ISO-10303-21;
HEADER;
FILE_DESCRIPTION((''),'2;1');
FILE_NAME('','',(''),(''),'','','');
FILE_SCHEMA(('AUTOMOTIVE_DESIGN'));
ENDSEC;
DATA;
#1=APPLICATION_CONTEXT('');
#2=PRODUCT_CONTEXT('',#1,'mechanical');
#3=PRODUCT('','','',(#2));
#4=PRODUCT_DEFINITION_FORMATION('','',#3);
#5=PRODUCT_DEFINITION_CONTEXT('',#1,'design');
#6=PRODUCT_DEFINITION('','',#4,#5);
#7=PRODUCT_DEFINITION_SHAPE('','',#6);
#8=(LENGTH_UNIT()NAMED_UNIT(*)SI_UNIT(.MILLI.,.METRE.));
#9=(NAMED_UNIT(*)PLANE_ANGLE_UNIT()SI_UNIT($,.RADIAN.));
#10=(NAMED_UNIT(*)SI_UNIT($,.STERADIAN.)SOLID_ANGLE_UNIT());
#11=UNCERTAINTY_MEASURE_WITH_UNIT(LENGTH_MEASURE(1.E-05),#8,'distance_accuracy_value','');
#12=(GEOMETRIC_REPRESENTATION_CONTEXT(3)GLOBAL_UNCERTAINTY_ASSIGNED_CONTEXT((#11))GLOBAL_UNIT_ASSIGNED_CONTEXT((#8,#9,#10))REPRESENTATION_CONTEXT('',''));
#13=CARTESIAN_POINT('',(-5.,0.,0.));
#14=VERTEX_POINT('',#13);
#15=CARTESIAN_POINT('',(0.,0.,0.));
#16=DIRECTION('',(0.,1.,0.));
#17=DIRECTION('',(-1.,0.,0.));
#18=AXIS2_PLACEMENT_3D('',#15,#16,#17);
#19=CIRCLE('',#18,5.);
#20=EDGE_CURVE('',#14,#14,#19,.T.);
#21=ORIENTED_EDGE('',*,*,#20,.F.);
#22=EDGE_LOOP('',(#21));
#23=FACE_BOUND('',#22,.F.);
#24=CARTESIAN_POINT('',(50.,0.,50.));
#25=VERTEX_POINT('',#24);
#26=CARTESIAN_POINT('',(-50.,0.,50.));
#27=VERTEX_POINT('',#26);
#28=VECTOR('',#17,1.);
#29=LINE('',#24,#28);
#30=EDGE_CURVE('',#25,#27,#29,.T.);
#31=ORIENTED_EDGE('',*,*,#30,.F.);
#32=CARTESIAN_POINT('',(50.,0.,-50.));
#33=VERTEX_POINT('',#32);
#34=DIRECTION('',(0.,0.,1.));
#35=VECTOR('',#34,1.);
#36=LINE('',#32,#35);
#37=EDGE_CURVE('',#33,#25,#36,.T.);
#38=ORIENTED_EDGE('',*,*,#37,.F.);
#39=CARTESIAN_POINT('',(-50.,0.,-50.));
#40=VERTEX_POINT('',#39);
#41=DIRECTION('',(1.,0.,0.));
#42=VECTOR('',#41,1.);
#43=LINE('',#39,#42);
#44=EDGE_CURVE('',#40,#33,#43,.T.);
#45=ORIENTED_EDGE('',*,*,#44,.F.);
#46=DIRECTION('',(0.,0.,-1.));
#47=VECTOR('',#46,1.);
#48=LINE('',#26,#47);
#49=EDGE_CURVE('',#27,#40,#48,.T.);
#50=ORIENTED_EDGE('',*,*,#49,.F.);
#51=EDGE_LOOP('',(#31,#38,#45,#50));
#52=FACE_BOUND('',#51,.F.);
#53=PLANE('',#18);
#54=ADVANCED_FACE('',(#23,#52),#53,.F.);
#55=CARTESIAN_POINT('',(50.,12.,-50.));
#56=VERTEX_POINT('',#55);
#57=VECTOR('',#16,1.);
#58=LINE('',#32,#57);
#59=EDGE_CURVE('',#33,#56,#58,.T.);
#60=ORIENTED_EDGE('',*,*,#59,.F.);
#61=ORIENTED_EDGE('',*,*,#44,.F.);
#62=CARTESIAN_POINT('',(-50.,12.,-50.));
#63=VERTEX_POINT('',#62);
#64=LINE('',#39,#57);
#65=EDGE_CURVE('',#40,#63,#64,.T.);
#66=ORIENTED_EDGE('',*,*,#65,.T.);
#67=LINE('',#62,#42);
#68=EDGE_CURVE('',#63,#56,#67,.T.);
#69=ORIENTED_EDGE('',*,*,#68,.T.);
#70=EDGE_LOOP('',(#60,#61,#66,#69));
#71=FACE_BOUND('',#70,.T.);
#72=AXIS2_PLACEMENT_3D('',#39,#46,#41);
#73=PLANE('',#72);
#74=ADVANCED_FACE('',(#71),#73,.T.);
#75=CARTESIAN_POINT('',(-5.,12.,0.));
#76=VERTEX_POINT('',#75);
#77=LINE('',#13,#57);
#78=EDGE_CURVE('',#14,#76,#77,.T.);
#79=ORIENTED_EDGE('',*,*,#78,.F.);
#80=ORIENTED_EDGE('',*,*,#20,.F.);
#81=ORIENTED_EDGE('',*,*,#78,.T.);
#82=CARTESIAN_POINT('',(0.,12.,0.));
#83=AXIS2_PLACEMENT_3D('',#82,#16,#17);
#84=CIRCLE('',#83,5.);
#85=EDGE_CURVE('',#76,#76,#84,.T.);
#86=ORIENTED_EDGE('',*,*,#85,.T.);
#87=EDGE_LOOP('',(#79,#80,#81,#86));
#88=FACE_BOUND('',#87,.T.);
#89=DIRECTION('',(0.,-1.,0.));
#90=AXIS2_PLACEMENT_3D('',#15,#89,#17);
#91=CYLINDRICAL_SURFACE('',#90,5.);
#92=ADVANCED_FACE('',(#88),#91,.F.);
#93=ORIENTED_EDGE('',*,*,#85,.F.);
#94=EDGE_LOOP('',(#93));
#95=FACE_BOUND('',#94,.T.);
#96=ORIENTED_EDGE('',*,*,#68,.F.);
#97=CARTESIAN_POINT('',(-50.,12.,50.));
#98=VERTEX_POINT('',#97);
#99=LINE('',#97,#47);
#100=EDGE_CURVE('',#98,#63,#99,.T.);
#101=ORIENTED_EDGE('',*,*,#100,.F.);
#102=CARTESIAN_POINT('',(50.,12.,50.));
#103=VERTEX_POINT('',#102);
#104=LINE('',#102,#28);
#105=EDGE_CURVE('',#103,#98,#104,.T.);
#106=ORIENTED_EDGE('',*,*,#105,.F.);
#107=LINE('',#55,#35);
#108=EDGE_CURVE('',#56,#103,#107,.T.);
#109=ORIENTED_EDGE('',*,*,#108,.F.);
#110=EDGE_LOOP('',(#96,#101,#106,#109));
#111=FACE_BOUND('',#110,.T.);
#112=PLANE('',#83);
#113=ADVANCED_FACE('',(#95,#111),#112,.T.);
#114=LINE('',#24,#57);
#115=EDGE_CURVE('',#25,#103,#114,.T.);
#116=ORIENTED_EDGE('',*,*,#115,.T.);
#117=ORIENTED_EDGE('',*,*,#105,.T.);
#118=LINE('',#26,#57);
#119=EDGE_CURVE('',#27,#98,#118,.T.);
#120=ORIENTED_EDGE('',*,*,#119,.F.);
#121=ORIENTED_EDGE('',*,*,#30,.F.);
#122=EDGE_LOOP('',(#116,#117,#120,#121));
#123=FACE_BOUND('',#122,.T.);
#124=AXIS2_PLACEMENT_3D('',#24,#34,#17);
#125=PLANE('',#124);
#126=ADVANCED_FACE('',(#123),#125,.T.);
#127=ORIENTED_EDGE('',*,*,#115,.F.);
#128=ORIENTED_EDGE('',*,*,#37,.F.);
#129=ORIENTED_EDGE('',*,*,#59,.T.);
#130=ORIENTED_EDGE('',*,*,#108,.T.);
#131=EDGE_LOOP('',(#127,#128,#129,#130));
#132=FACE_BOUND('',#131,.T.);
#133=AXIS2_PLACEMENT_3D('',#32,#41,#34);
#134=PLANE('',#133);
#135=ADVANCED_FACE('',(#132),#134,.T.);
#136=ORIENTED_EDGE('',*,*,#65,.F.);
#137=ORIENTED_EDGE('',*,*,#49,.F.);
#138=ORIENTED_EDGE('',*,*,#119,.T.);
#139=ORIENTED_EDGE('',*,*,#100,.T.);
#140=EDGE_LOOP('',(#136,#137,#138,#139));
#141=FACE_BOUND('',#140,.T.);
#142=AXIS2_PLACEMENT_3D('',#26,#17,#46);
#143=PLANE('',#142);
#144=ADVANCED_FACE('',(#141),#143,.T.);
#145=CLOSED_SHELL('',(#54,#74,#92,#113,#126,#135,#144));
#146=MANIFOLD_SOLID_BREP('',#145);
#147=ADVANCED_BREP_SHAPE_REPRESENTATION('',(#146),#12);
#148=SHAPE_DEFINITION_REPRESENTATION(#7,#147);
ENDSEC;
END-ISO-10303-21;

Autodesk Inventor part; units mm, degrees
ref_plane "YZ Plane" through (0, 0, 0) normal (1, 0, 0) x (0, 1, 0)
ref_plane "XZ Plane" through (0, 0, 0) normal (0, 1, 0) x (-1, 0, 0)
ref_plane "XY Plane" through (0, 0, 0) normal (0, 0, 1) x (1, 0, 0)
sketch "Sketch1" plane through (0, 0, 0) normal (0, 1, 0) x (-1, 0, 0)
  line L0 (70, 0) -> (-70, 0) construction
  line L1 (0, -70) -> (0, 70) construction
  line L2 (-50, 50) -> (50, 50)
  line L3 (50, 50) -> (50, -50)
  line L4 (50, -50) -> (-50, -50)
  line L5 (-50, -50) -> (-50, 50)
  line L6 (-50, 50) -> (50, -50) construction
  line L7 (50, 50) -> (-50, -50) construction
  circle A0 centre (0, 0) radius 5
  dimension "d0" = 100
  dimension "d3" = 10
extrude "Extrusion1" add sketch "Sketch1" along normal blind 12
properties part number "Manual_NC_REF"
